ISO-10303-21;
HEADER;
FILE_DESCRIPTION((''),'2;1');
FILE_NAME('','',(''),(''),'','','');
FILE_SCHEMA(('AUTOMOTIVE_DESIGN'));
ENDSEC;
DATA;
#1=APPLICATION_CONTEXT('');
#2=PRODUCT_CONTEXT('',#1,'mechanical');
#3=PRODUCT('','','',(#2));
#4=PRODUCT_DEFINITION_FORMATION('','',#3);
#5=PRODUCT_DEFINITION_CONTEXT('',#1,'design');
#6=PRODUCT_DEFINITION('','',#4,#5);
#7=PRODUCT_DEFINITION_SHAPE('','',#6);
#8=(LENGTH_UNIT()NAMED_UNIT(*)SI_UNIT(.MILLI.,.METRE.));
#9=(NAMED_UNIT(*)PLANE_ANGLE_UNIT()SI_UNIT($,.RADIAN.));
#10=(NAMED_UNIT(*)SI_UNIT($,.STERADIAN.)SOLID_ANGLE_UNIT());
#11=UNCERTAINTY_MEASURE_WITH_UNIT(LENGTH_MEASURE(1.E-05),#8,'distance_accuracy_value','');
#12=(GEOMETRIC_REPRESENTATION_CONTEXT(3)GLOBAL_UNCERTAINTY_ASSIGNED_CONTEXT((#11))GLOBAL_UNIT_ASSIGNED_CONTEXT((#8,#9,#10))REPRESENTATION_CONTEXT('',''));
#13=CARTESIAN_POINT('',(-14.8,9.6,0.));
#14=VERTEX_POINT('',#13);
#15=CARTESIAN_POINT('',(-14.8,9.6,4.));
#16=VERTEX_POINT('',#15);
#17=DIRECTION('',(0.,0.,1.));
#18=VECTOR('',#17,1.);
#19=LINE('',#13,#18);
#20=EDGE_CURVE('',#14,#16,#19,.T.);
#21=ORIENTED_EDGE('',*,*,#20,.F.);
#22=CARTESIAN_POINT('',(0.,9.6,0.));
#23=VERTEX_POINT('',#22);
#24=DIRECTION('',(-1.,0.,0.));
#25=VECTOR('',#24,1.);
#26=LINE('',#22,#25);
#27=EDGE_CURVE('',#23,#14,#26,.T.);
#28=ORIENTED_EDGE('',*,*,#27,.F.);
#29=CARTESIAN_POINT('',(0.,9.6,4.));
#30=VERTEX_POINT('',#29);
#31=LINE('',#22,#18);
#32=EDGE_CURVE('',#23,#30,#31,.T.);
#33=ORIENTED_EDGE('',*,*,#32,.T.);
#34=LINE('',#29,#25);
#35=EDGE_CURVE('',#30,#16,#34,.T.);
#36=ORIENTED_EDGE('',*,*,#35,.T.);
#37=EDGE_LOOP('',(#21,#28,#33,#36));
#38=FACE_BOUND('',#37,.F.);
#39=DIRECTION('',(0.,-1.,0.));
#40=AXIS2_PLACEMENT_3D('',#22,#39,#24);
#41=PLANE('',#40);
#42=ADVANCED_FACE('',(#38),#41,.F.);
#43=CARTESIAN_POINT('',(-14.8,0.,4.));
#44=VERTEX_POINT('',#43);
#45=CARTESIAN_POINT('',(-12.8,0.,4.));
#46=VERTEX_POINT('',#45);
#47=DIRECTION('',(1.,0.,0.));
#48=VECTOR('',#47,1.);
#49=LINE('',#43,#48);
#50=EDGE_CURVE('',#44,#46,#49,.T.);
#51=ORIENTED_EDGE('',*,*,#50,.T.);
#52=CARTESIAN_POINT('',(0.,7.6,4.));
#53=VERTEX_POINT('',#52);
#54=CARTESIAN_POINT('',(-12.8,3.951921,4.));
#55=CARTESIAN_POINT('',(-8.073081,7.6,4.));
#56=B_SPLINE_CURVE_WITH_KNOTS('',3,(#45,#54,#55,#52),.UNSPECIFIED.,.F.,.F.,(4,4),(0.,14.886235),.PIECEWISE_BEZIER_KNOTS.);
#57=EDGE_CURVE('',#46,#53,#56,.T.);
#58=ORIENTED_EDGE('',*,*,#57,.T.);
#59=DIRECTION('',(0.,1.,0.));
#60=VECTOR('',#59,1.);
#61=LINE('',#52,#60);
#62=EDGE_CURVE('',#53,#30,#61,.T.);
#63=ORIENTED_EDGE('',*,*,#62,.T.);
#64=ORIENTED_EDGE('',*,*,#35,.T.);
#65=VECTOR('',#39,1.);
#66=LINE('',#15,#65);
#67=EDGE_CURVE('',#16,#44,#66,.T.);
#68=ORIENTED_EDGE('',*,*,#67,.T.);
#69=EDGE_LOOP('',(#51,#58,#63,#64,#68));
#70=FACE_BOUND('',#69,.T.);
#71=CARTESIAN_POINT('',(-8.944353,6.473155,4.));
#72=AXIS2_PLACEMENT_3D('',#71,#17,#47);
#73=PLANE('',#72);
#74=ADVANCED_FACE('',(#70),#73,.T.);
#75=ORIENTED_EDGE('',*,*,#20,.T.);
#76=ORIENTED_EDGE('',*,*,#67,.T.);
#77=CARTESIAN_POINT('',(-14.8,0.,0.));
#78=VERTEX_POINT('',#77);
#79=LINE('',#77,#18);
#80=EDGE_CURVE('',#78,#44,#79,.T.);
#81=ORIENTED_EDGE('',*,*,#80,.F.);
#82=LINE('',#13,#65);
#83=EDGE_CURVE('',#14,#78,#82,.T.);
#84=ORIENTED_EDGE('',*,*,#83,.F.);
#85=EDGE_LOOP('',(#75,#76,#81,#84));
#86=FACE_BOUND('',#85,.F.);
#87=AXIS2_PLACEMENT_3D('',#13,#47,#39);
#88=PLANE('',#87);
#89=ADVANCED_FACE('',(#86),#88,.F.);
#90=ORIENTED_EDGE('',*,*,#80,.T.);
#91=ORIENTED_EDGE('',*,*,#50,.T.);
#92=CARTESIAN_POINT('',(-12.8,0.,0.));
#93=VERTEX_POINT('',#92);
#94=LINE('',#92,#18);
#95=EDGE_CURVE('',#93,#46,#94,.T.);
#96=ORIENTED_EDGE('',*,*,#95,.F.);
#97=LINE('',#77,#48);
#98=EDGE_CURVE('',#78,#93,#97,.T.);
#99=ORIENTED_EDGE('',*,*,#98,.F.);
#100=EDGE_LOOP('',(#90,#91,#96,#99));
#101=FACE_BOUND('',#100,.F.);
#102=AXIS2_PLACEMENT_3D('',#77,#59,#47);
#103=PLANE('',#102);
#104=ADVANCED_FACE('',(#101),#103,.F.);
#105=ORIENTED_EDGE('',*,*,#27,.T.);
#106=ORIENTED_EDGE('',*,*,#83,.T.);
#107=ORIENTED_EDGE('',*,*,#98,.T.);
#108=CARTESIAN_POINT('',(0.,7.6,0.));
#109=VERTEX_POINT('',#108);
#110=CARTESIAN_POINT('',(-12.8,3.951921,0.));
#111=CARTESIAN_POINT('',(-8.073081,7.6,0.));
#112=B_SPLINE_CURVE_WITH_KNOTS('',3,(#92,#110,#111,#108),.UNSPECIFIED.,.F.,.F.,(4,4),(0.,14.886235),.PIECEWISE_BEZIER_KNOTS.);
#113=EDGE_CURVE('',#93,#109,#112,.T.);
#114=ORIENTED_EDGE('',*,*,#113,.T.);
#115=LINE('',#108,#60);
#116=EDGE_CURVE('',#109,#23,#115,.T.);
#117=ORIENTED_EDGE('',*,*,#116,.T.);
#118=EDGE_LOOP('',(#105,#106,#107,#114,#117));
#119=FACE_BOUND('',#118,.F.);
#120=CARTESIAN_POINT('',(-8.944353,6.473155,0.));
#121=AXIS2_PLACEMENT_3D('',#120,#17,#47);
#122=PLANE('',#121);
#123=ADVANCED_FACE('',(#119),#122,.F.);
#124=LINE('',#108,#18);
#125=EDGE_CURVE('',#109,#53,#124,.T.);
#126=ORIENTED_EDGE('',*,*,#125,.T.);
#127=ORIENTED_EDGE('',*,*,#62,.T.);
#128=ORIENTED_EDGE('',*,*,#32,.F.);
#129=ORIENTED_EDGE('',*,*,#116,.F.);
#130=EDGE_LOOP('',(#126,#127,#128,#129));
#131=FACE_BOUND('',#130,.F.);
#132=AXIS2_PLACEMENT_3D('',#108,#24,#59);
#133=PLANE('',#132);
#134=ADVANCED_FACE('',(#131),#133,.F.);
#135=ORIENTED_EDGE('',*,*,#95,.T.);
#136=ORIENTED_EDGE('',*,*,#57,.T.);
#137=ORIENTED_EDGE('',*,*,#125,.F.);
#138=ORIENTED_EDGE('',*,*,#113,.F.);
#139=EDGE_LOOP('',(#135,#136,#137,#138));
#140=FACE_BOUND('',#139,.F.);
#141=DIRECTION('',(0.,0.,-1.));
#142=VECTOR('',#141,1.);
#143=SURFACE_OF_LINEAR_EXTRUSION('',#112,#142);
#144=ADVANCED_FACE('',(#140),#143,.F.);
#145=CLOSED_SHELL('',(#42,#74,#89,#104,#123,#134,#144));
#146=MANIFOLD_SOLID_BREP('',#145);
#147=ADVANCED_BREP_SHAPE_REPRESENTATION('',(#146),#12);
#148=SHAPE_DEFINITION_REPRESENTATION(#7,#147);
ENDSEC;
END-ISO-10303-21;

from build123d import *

# Parameters (mm, degrees)
F1_DEPTH = 4


with BuildPart() as f1:
    # F0 (on Top) → F1 (new body)
    with BuildSketch(Plane.XY):
        with BuildLine():
            Line((-14.8, 0), (-12.8, 0))
            add(Edge.make_bspline(
                [(-12.8, 0), (-12.8, 3.951921), (-8.073081, 7.6), (0, 7.6)],
                knots=[0, 0, 0, 0, 14.886235, 14.886235, 14.886235, 14.886235], degree=3))
            Line((0, 7.6), (0, 9.6))
            Line((0, 9.6), (-14.8, 9.6))
            Line((-14.8, 9.6), (-14.8, 0))
        make_face()
    extrude(amount=F1_DEPTH)


solid = f1.part
